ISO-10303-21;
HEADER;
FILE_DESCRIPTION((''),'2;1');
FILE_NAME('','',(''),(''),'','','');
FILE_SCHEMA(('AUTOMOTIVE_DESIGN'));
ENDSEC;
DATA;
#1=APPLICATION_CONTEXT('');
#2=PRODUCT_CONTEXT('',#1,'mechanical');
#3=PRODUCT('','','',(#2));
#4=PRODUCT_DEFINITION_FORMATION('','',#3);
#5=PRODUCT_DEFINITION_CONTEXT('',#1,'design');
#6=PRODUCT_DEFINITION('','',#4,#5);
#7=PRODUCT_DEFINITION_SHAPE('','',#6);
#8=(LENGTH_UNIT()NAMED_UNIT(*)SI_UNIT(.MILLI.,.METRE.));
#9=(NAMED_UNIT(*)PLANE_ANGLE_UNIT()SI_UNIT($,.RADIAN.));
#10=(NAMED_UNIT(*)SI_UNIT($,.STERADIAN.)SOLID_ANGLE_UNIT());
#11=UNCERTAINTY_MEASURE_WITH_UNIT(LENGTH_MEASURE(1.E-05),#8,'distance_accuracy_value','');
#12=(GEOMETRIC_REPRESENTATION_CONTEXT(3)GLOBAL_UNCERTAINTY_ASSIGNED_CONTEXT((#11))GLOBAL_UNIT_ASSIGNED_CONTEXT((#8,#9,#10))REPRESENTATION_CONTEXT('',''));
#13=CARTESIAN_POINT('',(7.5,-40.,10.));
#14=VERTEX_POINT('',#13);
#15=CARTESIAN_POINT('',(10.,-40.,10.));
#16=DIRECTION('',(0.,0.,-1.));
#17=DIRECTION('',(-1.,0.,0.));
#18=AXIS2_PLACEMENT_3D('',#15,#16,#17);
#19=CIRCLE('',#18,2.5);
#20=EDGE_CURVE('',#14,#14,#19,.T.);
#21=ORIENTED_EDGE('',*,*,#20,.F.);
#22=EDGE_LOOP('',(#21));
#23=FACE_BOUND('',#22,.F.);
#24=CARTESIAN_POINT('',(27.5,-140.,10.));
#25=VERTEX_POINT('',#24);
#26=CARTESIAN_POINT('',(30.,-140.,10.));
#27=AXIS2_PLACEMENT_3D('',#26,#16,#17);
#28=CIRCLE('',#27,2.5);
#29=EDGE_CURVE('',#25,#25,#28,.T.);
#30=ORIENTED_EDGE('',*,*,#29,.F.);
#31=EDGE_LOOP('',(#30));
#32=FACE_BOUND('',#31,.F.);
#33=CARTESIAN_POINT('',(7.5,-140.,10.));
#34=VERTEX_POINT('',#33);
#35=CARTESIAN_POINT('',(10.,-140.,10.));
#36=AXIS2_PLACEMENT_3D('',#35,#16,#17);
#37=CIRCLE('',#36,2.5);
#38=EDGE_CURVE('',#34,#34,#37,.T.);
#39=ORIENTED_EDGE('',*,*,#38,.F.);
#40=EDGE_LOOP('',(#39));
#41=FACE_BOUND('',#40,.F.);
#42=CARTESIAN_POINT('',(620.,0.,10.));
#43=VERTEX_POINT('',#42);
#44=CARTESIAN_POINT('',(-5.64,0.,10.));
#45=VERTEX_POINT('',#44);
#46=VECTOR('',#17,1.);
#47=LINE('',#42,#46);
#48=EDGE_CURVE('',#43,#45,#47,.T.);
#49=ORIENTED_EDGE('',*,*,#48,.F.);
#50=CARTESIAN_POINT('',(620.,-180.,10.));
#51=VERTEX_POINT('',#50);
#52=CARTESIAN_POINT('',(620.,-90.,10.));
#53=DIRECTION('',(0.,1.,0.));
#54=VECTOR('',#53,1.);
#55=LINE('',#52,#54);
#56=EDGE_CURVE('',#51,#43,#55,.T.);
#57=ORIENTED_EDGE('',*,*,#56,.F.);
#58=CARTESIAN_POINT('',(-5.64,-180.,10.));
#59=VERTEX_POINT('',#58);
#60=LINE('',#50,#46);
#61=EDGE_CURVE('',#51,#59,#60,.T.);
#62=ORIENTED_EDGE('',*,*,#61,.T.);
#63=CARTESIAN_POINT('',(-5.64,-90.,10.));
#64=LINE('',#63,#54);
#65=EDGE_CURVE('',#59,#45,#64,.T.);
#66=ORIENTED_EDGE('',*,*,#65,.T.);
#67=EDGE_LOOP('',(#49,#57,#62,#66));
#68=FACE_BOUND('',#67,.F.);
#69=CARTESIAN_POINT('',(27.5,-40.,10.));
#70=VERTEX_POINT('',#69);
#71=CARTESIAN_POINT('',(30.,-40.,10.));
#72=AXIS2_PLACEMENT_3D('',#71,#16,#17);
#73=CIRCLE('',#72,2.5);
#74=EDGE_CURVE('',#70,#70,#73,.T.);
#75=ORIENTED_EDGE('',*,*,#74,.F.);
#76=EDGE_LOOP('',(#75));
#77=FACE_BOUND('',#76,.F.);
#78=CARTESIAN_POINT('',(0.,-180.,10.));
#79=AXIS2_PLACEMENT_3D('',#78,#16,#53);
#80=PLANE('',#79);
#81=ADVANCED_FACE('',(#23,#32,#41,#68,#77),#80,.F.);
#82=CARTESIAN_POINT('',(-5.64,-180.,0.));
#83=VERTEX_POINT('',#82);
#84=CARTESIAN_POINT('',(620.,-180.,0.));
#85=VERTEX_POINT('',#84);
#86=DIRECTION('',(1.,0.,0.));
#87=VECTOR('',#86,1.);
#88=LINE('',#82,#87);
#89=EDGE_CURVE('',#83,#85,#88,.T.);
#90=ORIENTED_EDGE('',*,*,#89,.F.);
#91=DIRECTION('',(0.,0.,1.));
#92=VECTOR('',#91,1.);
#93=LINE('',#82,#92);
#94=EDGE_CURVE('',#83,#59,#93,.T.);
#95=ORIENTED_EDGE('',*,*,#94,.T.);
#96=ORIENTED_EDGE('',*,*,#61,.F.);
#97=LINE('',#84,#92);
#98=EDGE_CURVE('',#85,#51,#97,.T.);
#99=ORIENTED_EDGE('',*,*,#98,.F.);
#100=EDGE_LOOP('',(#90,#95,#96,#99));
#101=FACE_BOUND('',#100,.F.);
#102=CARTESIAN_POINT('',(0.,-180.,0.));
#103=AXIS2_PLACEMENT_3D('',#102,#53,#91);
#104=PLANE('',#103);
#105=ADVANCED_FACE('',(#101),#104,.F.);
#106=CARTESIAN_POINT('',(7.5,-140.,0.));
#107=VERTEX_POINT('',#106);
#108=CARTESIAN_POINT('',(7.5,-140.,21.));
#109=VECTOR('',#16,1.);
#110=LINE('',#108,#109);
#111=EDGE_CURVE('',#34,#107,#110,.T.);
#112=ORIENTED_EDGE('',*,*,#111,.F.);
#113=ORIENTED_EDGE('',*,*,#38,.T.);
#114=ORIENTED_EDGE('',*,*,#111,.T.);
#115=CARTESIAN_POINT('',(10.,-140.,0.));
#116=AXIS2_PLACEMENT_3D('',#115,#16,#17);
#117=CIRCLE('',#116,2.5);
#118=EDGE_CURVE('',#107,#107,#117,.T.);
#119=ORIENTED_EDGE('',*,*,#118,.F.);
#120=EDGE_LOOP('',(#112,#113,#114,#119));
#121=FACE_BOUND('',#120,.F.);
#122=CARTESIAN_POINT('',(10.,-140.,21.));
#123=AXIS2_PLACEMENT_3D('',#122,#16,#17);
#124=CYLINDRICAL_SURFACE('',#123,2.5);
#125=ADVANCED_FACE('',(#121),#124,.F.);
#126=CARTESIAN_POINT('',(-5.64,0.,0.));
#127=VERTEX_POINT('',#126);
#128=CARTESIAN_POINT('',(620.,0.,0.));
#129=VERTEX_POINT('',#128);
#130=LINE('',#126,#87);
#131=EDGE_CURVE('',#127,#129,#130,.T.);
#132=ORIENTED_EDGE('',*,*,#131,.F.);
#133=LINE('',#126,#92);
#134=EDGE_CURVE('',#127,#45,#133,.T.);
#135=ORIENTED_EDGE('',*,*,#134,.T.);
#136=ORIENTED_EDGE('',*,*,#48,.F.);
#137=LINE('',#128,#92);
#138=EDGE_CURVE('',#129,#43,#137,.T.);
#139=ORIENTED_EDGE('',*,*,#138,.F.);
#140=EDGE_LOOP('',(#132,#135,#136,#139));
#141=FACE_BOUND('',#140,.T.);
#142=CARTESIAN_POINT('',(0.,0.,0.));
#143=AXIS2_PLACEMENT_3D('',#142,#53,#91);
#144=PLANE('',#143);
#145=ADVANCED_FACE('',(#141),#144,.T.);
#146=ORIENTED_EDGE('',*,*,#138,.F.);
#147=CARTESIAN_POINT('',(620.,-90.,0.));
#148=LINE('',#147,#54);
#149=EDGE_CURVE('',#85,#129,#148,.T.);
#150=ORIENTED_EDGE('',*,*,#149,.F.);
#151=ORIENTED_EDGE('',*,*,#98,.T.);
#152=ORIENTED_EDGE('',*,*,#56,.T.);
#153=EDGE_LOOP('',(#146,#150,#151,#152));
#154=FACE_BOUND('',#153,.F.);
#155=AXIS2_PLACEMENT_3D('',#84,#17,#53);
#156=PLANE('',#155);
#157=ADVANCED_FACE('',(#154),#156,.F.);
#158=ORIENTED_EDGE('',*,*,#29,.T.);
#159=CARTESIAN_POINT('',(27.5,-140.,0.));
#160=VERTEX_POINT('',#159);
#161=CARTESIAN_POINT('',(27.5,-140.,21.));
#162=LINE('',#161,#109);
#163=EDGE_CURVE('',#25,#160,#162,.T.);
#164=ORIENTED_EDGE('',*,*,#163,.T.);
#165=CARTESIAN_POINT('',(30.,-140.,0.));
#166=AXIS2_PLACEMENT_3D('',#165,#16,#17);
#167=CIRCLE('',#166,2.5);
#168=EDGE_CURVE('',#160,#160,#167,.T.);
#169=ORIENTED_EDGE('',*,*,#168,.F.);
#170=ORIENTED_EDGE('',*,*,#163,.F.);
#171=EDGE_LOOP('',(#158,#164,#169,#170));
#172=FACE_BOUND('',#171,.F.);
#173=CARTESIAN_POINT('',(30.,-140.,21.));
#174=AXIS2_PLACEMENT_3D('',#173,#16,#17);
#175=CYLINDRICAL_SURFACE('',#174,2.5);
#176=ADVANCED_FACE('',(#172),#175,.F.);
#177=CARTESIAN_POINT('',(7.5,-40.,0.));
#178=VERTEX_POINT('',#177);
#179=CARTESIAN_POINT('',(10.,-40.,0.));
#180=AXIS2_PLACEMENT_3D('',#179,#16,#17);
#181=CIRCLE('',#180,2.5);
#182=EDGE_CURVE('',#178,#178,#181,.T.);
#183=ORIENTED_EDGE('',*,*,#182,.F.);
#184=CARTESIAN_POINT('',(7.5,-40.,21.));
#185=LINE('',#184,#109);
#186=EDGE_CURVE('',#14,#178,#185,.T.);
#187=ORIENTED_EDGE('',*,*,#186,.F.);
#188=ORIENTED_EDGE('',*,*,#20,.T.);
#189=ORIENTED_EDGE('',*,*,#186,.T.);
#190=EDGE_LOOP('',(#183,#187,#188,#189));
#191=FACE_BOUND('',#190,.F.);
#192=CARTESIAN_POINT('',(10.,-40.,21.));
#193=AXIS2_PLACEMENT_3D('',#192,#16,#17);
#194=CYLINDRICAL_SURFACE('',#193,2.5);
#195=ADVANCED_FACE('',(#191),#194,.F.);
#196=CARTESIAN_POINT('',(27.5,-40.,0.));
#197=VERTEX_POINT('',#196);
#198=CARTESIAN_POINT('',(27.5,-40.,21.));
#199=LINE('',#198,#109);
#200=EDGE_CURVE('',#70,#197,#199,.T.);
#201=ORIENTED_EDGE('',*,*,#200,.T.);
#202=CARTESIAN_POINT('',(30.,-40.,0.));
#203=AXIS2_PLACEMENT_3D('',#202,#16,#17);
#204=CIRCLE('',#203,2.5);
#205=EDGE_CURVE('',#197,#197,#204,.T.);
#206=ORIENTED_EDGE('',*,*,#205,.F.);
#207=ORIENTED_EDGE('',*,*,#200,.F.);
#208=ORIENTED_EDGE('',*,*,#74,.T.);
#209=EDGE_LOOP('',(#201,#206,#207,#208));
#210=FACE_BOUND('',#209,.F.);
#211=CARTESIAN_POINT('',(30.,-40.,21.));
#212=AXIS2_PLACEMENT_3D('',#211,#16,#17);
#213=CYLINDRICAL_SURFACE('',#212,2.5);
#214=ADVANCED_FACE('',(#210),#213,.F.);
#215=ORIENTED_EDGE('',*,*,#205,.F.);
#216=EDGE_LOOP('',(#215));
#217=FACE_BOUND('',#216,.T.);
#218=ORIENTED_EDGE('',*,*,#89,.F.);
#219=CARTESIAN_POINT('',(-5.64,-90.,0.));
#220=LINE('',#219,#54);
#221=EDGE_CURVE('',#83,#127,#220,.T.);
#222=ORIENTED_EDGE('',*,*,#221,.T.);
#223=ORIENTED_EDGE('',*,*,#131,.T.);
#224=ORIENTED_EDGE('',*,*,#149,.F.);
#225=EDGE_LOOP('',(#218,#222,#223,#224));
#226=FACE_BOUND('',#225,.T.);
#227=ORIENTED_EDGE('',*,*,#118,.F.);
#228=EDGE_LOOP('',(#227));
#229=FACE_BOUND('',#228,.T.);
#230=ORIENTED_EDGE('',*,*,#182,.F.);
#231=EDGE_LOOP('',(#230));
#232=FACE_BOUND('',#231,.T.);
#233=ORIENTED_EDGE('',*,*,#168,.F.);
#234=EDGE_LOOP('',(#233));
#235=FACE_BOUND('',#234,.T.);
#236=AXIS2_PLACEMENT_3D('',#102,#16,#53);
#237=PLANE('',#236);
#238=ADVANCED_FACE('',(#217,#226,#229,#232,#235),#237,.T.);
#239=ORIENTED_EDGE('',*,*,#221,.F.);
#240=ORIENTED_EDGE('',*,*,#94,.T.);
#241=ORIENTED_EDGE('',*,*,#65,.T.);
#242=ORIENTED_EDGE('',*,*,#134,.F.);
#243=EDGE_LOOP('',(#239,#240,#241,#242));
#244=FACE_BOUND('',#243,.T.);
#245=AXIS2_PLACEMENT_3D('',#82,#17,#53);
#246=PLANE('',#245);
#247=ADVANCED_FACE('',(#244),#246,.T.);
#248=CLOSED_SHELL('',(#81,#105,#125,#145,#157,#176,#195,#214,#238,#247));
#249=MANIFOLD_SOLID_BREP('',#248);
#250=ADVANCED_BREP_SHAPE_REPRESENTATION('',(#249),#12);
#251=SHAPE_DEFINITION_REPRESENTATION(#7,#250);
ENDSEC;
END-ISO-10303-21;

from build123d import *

# Parameters (mm, degrees)
F0_W     = 620
F0_H     = 180
F1_DEPTH = 10
F3_D     = 5
F3_DEPTH = 11
F3_TIP   = 1.5021515476
F4_DEPTH = 5.64


with BuildPart() as f1:
    # F0 (on Top) → F1 (new body)
    with BuildSketch(Plane.XY):
        with Locations((310, -90)):
            Rectangle(F0_W, F0_H)
    extrude(amount=F1_DEPTH)

    # F3
    with Locations(Plane.XY.offset(10)):
        with Locations((10, -40), (30, -40), (10, -140), (30, -140)):
            Hole(F3_D / 2, depth=F3_DEPTH)
            with Locations((0, 0, -(F3_DEPTH + F3_TIP / 2))):  # 118° drill point
                Cone(0, F3_D / 2, F3_TIP, mode=Mode.SUBTRACT)

    # F4 (add): a face of the model
    f4_faces = [f1.faces().sort_by_distance(p)[0] for p in [
        (0, -90, 5),
    ]]
    extrude(f4_faces, amount=F4_DEPTH)


solid = f1.part
